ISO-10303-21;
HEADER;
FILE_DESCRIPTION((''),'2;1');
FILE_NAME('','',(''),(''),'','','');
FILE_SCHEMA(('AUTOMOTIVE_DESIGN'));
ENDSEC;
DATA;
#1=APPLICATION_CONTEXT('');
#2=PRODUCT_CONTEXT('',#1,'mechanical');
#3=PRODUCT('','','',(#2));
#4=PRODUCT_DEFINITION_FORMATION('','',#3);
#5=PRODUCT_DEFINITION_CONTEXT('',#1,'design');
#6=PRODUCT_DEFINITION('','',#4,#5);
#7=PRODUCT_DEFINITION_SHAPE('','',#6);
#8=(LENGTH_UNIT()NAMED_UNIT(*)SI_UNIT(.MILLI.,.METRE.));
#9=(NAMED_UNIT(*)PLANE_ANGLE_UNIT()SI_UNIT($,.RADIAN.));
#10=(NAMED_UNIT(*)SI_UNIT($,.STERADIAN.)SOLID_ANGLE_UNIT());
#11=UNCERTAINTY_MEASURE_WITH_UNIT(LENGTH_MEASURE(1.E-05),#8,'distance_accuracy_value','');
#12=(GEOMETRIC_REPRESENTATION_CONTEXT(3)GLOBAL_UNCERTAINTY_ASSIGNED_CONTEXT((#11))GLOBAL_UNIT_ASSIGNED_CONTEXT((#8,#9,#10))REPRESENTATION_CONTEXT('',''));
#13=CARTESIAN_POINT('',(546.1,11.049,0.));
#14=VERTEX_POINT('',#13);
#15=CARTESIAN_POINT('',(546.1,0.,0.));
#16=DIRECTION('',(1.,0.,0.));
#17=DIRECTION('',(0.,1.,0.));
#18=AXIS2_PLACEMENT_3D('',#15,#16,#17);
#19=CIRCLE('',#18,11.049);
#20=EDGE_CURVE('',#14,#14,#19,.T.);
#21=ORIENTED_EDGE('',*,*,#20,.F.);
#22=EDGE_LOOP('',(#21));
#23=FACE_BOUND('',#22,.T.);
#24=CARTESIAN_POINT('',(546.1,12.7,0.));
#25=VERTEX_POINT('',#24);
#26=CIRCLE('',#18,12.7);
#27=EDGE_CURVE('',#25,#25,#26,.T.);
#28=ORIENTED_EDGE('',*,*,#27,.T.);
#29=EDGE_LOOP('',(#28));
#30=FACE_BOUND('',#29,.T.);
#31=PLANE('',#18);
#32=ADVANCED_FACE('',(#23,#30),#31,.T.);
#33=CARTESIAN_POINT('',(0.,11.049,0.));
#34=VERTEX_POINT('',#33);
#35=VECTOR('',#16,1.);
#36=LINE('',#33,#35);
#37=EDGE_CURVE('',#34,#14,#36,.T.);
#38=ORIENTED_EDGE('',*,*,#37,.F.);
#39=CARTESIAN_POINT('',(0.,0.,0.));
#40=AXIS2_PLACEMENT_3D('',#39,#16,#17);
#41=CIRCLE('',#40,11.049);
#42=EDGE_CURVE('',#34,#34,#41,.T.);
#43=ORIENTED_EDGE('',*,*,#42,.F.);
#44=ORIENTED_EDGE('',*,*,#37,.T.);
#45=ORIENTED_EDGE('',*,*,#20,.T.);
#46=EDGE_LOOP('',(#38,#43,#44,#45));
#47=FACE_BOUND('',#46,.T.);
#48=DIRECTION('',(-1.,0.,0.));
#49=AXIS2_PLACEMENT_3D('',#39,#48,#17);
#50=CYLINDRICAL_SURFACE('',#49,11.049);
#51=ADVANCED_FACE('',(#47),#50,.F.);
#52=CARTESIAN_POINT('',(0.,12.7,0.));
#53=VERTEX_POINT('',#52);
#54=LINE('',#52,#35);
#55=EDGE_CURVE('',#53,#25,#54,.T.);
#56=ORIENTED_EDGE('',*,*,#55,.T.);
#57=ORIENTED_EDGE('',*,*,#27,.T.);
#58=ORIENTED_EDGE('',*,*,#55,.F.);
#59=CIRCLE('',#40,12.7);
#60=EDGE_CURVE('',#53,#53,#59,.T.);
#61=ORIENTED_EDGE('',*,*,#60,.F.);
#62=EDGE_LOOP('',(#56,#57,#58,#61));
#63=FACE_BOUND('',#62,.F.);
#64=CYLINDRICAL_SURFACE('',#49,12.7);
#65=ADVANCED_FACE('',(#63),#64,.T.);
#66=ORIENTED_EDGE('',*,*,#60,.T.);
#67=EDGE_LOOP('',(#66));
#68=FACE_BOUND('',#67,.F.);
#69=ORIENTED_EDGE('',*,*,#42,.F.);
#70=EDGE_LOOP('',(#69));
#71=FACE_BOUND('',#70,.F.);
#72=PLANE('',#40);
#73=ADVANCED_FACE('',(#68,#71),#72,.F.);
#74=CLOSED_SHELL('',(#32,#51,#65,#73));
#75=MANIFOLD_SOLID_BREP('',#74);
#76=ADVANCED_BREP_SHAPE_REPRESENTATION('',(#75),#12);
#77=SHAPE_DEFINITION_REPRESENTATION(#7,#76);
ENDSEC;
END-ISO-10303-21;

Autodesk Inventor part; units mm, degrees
ref_plane "XZ Plane" through (0, 0, 0) normal (0, 1, 0) x (-1, 0, 0)
ref_plane "Start Plane" through (0, 0, 0) normal (1, 0, 0) x (0, 1, 0)
ref_plane "End Plane" through (546.1, 0, 0) normal (1, 0, 0) x (0, 1, 0)
sketch "Sketch" plane through (0, 0, 0) normal (1, 0, 0) x (0, 1, 0)
  circle A0 centre (0, 0) radius 12.7
  circle A1 centre (0, 0) radius 11.049
  dimension "d0" = 25.4
  dimension "d1" = 1.651
extrude "Body" add sketch "Sketch" along normal up to surface (546.1 mm away) from surface at 0
sketch "Sketch2" plane through (0, 0, 0) normal (1, 0, 0) x (0, 1, 0)
  line L0 (0, 0) -> (10, 0)
ref_plane "Work Plane3" through (0, 0, 0) normal (0, 0, -1) x (0, 1, 0)
sketch "Sketch3" plane through (0, 0, 0) normal (0, 0, -1) x (0, 1, 0)
  line L0 (-2, 0) -> (12, 0)
  line L1 (-2, 546.1) -> (12, 546.1)
  dimension "d9" = 546.1
equation "\"G_OFFSET_START\" = 0"
equation "\"G_OFFSET_END\" = 0"
equation "\"d5\" = d2 + G_OFFSET_END"
equation "\"G_L\" = d9"
equation "\"d2\" = 546.1"
properties part number "4130_1x0.065" material "Steel, Alloy"
